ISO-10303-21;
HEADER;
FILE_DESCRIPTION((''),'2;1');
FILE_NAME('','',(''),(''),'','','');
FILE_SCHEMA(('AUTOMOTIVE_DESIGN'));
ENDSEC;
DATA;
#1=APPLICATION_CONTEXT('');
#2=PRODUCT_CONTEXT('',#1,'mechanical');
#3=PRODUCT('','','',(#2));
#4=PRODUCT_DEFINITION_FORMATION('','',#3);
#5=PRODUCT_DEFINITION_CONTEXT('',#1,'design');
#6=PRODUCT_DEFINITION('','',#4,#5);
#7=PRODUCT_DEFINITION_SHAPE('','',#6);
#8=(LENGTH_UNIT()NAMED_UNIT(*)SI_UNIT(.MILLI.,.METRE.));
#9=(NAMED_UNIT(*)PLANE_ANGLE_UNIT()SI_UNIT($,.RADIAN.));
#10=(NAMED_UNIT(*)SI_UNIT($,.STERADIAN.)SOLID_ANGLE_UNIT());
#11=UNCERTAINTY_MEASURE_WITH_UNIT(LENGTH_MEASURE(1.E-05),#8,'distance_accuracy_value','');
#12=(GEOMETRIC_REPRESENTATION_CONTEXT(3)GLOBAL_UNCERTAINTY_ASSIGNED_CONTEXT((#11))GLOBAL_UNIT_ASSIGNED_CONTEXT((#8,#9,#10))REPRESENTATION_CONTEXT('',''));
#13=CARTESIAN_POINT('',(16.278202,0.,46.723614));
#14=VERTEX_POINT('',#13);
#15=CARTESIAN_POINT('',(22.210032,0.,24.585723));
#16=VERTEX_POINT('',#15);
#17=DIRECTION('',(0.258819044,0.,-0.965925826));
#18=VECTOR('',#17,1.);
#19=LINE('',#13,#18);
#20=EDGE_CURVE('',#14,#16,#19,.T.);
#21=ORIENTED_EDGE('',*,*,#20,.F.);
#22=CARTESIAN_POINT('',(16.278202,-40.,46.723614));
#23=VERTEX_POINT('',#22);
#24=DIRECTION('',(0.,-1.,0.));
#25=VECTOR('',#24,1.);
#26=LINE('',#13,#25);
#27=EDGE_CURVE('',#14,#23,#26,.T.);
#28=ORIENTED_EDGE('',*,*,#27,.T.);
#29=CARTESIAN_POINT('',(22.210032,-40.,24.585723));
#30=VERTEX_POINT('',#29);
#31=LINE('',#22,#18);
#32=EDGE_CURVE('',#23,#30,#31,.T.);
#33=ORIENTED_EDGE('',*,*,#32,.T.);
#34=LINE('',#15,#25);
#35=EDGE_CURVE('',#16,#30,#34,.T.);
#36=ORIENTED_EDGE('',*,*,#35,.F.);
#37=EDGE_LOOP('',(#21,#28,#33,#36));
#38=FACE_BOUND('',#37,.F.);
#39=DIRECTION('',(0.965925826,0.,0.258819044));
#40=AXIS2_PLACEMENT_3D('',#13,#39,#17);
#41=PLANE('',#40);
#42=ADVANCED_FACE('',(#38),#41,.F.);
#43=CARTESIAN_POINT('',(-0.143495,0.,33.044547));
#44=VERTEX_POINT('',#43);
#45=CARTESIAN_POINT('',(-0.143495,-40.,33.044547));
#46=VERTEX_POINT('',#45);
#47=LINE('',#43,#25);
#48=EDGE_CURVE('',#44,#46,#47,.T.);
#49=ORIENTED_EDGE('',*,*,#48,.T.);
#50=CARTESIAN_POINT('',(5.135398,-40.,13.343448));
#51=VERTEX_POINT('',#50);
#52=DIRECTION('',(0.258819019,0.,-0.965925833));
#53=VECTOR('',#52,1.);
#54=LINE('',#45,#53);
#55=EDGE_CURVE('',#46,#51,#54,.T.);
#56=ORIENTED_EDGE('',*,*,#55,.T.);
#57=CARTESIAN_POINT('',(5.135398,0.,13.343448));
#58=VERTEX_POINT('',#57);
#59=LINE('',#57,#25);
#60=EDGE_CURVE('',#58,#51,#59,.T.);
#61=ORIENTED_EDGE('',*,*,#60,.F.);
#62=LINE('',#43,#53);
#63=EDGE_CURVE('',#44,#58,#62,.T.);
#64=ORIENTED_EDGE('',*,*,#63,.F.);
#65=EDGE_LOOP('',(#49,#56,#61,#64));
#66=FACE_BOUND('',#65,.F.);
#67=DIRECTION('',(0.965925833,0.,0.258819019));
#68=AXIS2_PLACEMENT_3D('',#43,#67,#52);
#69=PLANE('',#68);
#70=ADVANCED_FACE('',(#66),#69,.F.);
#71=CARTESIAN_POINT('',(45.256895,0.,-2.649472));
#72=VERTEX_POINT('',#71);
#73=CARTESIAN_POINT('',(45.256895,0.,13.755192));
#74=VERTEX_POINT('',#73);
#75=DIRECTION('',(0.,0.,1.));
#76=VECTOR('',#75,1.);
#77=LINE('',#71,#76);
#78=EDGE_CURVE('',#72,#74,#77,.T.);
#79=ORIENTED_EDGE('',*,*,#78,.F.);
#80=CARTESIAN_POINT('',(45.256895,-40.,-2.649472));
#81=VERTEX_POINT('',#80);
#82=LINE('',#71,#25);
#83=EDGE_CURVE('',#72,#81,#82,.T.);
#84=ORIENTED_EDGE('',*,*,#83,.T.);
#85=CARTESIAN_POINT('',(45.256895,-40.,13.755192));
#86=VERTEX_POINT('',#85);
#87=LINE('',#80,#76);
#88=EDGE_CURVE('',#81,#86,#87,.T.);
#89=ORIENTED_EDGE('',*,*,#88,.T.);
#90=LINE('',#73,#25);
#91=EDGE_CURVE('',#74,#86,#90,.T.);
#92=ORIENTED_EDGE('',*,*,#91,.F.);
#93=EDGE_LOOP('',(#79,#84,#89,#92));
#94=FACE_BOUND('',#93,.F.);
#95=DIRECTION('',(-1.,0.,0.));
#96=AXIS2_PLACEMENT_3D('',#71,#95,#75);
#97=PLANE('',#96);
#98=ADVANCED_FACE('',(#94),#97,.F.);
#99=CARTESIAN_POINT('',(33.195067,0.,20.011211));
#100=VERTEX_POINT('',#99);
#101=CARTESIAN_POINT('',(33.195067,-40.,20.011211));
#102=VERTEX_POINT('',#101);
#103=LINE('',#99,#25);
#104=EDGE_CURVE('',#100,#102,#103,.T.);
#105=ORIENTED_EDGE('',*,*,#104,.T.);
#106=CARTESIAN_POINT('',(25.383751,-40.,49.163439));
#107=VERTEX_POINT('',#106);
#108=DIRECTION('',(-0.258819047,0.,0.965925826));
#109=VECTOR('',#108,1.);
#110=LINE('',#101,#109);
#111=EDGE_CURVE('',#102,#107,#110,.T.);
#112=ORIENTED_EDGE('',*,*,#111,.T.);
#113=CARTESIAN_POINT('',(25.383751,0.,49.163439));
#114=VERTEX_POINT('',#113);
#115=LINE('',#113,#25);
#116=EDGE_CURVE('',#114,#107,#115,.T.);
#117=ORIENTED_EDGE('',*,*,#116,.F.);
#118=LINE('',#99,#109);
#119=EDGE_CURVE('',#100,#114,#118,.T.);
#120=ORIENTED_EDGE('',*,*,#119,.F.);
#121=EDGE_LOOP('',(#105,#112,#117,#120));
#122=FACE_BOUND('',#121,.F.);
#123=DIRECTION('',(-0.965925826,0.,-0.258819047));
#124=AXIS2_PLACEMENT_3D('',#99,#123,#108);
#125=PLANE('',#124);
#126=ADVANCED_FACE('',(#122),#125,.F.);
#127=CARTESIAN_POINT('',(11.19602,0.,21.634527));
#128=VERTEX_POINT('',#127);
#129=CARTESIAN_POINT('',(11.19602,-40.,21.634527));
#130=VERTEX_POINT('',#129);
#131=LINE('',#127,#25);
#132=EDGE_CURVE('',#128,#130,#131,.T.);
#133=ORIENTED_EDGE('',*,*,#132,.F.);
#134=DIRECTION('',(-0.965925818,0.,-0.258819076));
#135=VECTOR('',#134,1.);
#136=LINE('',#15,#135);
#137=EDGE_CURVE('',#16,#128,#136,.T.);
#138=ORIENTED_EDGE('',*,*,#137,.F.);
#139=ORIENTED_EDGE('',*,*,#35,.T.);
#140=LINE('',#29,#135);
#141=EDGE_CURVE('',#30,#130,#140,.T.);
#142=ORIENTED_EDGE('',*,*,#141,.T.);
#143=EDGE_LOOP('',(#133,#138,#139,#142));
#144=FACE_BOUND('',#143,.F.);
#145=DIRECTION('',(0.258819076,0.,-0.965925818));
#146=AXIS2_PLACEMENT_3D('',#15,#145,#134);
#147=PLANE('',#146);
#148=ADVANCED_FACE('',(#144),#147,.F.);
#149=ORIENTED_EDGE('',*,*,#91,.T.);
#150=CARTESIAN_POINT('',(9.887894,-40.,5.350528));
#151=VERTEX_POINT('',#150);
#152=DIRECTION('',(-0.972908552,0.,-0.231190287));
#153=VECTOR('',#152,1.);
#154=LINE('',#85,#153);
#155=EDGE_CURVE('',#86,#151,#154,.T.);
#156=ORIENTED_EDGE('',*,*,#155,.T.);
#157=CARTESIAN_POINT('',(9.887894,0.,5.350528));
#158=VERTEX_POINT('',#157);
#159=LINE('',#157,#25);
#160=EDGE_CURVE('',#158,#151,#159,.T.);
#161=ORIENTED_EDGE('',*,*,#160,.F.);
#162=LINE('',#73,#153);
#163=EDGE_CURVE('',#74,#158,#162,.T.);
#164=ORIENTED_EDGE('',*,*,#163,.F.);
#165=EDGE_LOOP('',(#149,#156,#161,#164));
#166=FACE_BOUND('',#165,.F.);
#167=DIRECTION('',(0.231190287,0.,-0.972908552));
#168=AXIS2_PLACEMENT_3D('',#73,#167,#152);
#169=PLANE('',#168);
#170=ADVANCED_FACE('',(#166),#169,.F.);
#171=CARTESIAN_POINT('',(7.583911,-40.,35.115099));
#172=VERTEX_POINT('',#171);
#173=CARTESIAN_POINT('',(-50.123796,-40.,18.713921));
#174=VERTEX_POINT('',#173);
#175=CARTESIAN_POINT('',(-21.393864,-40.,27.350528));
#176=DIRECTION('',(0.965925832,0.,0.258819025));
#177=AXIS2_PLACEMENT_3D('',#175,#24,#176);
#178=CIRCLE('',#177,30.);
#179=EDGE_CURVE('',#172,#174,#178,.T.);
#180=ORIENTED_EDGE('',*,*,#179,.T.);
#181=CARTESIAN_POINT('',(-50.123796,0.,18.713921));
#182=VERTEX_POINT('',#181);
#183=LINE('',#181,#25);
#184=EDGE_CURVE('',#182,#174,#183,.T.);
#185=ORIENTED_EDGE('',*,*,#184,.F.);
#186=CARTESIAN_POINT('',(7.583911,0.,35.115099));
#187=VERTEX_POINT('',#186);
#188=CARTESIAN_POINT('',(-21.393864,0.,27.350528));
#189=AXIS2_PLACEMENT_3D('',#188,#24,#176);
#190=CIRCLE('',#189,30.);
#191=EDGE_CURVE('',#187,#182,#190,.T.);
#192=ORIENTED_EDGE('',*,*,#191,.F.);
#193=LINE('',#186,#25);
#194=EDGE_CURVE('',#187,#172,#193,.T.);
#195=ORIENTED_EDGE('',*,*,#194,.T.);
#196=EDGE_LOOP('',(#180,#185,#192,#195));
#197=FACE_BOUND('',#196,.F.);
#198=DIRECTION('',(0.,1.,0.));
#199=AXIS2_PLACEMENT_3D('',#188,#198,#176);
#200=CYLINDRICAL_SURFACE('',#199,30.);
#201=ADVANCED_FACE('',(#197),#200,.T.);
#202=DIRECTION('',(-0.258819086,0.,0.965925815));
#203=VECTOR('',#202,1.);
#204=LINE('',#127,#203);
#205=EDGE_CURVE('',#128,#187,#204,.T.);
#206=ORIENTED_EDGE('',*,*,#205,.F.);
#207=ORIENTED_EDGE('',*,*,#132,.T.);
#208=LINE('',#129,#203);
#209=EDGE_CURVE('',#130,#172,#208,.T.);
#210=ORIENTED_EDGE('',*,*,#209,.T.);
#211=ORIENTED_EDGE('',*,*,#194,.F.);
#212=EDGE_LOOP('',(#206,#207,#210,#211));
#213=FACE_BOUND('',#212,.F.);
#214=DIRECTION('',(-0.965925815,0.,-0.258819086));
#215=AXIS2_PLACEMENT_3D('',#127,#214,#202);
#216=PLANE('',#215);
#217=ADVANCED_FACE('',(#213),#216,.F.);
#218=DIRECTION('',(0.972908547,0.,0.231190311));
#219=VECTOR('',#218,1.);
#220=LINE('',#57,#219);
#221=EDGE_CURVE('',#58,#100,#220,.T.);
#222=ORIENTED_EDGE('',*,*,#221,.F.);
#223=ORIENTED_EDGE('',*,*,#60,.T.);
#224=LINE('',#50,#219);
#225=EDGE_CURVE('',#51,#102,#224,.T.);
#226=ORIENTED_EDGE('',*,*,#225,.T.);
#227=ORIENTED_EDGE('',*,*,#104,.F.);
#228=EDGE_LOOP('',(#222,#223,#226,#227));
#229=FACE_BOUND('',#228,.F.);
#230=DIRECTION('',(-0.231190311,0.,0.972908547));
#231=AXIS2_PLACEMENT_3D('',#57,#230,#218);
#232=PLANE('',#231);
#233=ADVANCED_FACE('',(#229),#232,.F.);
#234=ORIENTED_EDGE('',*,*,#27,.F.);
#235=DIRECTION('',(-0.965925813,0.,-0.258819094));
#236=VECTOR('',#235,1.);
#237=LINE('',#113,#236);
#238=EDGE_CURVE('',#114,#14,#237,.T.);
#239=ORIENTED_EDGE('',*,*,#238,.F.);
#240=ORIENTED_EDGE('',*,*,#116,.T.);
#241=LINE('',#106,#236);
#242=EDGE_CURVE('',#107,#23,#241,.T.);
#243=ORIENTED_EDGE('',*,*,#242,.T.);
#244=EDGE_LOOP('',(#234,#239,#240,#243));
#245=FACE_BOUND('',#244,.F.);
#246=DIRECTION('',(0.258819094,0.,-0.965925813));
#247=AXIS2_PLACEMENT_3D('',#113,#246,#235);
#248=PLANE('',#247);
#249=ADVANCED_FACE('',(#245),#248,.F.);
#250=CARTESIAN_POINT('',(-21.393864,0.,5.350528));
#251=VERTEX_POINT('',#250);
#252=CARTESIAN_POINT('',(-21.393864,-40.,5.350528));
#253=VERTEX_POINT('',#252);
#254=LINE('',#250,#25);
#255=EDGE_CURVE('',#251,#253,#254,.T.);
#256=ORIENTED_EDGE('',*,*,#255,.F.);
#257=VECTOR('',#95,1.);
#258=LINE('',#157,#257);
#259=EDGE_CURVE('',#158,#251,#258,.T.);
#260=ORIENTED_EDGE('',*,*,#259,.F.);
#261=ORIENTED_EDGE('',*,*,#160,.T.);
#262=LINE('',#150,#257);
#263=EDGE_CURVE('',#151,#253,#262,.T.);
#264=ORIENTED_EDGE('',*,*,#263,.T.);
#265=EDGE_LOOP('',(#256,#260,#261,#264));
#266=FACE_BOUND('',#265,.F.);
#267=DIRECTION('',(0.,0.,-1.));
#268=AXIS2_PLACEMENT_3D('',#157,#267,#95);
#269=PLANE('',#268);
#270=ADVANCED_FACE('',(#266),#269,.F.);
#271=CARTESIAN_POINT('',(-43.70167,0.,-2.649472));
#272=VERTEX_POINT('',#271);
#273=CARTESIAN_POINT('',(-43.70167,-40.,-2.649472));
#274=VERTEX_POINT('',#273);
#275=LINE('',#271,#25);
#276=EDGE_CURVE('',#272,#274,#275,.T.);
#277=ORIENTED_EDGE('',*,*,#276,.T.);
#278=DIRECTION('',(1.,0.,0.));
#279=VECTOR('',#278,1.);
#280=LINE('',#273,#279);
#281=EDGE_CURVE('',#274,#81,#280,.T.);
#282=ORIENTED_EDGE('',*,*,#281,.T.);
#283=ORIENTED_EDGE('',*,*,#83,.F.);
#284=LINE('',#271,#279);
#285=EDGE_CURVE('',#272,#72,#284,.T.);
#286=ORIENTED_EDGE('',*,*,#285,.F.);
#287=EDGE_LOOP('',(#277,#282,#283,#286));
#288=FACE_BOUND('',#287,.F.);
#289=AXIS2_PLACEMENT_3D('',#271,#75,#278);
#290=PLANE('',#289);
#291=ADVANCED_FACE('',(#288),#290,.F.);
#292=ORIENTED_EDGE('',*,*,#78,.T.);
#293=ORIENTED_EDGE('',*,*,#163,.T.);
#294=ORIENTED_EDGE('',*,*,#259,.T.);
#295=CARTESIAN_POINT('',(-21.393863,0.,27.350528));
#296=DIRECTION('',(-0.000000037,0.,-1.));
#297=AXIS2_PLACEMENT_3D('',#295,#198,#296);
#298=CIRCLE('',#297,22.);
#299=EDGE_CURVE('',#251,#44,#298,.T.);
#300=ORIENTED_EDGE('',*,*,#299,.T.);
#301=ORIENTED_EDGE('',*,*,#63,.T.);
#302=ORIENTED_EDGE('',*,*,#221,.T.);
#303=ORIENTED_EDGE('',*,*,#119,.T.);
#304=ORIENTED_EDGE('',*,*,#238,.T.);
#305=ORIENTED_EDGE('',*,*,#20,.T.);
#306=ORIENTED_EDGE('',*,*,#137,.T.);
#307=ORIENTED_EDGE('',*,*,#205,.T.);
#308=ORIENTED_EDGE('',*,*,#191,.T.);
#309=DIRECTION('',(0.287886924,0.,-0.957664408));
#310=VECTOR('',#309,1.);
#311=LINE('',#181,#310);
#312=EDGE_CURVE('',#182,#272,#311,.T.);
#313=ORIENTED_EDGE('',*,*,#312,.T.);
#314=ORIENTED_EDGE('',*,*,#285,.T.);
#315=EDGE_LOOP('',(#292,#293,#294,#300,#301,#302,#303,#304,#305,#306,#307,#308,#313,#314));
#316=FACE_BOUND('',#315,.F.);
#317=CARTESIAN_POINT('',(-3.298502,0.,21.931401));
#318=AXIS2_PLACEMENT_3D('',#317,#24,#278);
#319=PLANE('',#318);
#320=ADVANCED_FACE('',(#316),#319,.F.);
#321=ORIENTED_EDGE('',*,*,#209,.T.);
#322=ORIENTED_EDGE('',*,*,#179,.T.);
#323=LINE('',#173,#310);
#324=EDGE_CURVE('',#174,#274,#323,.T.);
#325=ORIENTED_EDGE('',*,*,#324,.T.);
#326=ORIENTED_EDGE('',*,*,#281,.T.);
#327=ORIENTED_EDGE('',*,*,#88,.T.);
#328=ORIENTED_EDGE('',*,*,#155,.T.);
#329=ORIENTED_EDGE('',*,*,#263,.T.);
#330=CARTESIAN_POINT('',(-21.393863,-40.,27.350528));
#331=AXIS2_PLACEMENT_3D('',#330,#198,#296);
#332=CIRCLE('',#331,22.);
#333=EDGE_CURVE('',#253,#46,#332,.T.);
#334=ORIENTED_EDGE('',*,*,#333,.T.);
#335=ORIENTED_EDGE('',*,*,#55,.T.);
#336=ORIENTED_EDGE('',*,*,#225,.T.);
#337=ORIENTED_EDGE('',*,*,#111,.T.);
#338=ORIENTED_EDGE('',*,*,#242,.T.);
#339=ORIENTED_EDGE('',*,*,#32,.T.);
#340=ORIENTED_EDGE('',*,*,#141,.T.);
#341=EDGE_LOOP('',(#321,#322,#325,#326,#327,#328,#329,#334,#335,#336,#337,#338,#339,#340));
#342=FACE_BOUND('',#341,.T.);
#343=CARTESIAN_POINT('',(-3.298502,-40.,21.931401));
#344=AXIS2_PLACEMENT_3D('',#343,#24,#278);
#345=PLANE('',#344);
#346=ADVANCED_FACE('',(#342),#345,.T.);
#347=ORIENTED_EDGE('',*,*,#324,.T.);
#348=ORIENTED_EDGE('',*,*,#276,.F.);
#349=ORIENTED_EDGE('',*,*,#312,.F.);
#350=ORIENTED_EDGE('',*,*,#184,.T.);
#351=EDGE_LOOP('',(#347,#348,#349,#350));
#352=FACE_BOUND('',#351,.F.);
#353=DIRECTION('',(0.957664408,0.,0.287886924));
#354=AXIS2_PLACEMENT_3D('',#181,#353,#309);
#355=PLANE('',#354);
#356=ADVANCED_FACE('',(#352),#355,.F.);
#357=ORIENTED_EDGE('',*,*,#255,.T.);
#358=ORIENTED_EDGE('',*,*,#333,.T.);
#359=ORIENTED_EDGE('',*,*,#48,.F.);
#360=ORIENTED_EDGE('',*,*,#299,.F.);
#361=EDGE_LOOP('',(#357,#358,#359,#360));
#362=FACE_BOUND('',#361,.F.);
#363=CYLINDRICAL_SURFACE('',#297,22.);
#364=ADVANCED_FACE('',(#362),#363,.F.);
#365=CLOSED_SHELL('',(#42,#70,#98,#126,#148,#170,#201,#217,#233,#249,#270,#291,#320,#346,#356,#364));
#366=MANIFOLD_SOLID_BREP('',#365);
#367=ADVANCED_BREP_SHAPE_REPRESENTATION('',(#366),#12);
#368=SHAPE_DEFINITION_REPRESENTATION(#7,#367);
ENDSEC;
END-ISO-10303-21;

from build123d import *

# Parameters (mm, degrees)
F1_DEPTH = 40


with BuildPart() as f1:
    # F0 (on Front) → F1 (new body)
    with BuildSketch(Plane.XZ):
        with BuildLine():
            Line((11.19602, 21.634527), (7.583911, 35.115099))
            ThreePointArc((7.583911, 35.115099), (-29.595389, 56.207676), (-50.123796, 18.713921))
            Line((-50.123796, 18.713921), (-43.70167, -2.649472))
            Line((-43.70167, -2.649472), (17.702898, -2.649472))
            Line((17.702898, -2.649472), (45.256895, -2.649472))
            Line((45.256895, -2.649472), (45.256895, 13.755192))
            Line((45.256895, 13.755192), (9.887894, 5.350528))
            Line((9.887894, 5.350528), (-21.393864, 5.350528))
            ThreePointArc((-21.393864, 5.350528), (-38.847637, 40.743279), (-0.143495, 33.044547))
            Line((-0.143495, 33.044547), (5.135398, 13.343448))
            Line((5.135398, 13.343448), (33.195067, 20.011211))
            Line((33.195067, 20.011211), (25.383751, 49.163439))
            Line((25.383751, 49.163439), (16.278202, 46.723614))
            Line((16.278202, 46.723614), (22.210032, 24.585723))
            Line((22.210032, 24.585723), (11.19602, 21.634527))
        make_face()
    extrude(amount=F1_DEPTH)


solid = f1.part
